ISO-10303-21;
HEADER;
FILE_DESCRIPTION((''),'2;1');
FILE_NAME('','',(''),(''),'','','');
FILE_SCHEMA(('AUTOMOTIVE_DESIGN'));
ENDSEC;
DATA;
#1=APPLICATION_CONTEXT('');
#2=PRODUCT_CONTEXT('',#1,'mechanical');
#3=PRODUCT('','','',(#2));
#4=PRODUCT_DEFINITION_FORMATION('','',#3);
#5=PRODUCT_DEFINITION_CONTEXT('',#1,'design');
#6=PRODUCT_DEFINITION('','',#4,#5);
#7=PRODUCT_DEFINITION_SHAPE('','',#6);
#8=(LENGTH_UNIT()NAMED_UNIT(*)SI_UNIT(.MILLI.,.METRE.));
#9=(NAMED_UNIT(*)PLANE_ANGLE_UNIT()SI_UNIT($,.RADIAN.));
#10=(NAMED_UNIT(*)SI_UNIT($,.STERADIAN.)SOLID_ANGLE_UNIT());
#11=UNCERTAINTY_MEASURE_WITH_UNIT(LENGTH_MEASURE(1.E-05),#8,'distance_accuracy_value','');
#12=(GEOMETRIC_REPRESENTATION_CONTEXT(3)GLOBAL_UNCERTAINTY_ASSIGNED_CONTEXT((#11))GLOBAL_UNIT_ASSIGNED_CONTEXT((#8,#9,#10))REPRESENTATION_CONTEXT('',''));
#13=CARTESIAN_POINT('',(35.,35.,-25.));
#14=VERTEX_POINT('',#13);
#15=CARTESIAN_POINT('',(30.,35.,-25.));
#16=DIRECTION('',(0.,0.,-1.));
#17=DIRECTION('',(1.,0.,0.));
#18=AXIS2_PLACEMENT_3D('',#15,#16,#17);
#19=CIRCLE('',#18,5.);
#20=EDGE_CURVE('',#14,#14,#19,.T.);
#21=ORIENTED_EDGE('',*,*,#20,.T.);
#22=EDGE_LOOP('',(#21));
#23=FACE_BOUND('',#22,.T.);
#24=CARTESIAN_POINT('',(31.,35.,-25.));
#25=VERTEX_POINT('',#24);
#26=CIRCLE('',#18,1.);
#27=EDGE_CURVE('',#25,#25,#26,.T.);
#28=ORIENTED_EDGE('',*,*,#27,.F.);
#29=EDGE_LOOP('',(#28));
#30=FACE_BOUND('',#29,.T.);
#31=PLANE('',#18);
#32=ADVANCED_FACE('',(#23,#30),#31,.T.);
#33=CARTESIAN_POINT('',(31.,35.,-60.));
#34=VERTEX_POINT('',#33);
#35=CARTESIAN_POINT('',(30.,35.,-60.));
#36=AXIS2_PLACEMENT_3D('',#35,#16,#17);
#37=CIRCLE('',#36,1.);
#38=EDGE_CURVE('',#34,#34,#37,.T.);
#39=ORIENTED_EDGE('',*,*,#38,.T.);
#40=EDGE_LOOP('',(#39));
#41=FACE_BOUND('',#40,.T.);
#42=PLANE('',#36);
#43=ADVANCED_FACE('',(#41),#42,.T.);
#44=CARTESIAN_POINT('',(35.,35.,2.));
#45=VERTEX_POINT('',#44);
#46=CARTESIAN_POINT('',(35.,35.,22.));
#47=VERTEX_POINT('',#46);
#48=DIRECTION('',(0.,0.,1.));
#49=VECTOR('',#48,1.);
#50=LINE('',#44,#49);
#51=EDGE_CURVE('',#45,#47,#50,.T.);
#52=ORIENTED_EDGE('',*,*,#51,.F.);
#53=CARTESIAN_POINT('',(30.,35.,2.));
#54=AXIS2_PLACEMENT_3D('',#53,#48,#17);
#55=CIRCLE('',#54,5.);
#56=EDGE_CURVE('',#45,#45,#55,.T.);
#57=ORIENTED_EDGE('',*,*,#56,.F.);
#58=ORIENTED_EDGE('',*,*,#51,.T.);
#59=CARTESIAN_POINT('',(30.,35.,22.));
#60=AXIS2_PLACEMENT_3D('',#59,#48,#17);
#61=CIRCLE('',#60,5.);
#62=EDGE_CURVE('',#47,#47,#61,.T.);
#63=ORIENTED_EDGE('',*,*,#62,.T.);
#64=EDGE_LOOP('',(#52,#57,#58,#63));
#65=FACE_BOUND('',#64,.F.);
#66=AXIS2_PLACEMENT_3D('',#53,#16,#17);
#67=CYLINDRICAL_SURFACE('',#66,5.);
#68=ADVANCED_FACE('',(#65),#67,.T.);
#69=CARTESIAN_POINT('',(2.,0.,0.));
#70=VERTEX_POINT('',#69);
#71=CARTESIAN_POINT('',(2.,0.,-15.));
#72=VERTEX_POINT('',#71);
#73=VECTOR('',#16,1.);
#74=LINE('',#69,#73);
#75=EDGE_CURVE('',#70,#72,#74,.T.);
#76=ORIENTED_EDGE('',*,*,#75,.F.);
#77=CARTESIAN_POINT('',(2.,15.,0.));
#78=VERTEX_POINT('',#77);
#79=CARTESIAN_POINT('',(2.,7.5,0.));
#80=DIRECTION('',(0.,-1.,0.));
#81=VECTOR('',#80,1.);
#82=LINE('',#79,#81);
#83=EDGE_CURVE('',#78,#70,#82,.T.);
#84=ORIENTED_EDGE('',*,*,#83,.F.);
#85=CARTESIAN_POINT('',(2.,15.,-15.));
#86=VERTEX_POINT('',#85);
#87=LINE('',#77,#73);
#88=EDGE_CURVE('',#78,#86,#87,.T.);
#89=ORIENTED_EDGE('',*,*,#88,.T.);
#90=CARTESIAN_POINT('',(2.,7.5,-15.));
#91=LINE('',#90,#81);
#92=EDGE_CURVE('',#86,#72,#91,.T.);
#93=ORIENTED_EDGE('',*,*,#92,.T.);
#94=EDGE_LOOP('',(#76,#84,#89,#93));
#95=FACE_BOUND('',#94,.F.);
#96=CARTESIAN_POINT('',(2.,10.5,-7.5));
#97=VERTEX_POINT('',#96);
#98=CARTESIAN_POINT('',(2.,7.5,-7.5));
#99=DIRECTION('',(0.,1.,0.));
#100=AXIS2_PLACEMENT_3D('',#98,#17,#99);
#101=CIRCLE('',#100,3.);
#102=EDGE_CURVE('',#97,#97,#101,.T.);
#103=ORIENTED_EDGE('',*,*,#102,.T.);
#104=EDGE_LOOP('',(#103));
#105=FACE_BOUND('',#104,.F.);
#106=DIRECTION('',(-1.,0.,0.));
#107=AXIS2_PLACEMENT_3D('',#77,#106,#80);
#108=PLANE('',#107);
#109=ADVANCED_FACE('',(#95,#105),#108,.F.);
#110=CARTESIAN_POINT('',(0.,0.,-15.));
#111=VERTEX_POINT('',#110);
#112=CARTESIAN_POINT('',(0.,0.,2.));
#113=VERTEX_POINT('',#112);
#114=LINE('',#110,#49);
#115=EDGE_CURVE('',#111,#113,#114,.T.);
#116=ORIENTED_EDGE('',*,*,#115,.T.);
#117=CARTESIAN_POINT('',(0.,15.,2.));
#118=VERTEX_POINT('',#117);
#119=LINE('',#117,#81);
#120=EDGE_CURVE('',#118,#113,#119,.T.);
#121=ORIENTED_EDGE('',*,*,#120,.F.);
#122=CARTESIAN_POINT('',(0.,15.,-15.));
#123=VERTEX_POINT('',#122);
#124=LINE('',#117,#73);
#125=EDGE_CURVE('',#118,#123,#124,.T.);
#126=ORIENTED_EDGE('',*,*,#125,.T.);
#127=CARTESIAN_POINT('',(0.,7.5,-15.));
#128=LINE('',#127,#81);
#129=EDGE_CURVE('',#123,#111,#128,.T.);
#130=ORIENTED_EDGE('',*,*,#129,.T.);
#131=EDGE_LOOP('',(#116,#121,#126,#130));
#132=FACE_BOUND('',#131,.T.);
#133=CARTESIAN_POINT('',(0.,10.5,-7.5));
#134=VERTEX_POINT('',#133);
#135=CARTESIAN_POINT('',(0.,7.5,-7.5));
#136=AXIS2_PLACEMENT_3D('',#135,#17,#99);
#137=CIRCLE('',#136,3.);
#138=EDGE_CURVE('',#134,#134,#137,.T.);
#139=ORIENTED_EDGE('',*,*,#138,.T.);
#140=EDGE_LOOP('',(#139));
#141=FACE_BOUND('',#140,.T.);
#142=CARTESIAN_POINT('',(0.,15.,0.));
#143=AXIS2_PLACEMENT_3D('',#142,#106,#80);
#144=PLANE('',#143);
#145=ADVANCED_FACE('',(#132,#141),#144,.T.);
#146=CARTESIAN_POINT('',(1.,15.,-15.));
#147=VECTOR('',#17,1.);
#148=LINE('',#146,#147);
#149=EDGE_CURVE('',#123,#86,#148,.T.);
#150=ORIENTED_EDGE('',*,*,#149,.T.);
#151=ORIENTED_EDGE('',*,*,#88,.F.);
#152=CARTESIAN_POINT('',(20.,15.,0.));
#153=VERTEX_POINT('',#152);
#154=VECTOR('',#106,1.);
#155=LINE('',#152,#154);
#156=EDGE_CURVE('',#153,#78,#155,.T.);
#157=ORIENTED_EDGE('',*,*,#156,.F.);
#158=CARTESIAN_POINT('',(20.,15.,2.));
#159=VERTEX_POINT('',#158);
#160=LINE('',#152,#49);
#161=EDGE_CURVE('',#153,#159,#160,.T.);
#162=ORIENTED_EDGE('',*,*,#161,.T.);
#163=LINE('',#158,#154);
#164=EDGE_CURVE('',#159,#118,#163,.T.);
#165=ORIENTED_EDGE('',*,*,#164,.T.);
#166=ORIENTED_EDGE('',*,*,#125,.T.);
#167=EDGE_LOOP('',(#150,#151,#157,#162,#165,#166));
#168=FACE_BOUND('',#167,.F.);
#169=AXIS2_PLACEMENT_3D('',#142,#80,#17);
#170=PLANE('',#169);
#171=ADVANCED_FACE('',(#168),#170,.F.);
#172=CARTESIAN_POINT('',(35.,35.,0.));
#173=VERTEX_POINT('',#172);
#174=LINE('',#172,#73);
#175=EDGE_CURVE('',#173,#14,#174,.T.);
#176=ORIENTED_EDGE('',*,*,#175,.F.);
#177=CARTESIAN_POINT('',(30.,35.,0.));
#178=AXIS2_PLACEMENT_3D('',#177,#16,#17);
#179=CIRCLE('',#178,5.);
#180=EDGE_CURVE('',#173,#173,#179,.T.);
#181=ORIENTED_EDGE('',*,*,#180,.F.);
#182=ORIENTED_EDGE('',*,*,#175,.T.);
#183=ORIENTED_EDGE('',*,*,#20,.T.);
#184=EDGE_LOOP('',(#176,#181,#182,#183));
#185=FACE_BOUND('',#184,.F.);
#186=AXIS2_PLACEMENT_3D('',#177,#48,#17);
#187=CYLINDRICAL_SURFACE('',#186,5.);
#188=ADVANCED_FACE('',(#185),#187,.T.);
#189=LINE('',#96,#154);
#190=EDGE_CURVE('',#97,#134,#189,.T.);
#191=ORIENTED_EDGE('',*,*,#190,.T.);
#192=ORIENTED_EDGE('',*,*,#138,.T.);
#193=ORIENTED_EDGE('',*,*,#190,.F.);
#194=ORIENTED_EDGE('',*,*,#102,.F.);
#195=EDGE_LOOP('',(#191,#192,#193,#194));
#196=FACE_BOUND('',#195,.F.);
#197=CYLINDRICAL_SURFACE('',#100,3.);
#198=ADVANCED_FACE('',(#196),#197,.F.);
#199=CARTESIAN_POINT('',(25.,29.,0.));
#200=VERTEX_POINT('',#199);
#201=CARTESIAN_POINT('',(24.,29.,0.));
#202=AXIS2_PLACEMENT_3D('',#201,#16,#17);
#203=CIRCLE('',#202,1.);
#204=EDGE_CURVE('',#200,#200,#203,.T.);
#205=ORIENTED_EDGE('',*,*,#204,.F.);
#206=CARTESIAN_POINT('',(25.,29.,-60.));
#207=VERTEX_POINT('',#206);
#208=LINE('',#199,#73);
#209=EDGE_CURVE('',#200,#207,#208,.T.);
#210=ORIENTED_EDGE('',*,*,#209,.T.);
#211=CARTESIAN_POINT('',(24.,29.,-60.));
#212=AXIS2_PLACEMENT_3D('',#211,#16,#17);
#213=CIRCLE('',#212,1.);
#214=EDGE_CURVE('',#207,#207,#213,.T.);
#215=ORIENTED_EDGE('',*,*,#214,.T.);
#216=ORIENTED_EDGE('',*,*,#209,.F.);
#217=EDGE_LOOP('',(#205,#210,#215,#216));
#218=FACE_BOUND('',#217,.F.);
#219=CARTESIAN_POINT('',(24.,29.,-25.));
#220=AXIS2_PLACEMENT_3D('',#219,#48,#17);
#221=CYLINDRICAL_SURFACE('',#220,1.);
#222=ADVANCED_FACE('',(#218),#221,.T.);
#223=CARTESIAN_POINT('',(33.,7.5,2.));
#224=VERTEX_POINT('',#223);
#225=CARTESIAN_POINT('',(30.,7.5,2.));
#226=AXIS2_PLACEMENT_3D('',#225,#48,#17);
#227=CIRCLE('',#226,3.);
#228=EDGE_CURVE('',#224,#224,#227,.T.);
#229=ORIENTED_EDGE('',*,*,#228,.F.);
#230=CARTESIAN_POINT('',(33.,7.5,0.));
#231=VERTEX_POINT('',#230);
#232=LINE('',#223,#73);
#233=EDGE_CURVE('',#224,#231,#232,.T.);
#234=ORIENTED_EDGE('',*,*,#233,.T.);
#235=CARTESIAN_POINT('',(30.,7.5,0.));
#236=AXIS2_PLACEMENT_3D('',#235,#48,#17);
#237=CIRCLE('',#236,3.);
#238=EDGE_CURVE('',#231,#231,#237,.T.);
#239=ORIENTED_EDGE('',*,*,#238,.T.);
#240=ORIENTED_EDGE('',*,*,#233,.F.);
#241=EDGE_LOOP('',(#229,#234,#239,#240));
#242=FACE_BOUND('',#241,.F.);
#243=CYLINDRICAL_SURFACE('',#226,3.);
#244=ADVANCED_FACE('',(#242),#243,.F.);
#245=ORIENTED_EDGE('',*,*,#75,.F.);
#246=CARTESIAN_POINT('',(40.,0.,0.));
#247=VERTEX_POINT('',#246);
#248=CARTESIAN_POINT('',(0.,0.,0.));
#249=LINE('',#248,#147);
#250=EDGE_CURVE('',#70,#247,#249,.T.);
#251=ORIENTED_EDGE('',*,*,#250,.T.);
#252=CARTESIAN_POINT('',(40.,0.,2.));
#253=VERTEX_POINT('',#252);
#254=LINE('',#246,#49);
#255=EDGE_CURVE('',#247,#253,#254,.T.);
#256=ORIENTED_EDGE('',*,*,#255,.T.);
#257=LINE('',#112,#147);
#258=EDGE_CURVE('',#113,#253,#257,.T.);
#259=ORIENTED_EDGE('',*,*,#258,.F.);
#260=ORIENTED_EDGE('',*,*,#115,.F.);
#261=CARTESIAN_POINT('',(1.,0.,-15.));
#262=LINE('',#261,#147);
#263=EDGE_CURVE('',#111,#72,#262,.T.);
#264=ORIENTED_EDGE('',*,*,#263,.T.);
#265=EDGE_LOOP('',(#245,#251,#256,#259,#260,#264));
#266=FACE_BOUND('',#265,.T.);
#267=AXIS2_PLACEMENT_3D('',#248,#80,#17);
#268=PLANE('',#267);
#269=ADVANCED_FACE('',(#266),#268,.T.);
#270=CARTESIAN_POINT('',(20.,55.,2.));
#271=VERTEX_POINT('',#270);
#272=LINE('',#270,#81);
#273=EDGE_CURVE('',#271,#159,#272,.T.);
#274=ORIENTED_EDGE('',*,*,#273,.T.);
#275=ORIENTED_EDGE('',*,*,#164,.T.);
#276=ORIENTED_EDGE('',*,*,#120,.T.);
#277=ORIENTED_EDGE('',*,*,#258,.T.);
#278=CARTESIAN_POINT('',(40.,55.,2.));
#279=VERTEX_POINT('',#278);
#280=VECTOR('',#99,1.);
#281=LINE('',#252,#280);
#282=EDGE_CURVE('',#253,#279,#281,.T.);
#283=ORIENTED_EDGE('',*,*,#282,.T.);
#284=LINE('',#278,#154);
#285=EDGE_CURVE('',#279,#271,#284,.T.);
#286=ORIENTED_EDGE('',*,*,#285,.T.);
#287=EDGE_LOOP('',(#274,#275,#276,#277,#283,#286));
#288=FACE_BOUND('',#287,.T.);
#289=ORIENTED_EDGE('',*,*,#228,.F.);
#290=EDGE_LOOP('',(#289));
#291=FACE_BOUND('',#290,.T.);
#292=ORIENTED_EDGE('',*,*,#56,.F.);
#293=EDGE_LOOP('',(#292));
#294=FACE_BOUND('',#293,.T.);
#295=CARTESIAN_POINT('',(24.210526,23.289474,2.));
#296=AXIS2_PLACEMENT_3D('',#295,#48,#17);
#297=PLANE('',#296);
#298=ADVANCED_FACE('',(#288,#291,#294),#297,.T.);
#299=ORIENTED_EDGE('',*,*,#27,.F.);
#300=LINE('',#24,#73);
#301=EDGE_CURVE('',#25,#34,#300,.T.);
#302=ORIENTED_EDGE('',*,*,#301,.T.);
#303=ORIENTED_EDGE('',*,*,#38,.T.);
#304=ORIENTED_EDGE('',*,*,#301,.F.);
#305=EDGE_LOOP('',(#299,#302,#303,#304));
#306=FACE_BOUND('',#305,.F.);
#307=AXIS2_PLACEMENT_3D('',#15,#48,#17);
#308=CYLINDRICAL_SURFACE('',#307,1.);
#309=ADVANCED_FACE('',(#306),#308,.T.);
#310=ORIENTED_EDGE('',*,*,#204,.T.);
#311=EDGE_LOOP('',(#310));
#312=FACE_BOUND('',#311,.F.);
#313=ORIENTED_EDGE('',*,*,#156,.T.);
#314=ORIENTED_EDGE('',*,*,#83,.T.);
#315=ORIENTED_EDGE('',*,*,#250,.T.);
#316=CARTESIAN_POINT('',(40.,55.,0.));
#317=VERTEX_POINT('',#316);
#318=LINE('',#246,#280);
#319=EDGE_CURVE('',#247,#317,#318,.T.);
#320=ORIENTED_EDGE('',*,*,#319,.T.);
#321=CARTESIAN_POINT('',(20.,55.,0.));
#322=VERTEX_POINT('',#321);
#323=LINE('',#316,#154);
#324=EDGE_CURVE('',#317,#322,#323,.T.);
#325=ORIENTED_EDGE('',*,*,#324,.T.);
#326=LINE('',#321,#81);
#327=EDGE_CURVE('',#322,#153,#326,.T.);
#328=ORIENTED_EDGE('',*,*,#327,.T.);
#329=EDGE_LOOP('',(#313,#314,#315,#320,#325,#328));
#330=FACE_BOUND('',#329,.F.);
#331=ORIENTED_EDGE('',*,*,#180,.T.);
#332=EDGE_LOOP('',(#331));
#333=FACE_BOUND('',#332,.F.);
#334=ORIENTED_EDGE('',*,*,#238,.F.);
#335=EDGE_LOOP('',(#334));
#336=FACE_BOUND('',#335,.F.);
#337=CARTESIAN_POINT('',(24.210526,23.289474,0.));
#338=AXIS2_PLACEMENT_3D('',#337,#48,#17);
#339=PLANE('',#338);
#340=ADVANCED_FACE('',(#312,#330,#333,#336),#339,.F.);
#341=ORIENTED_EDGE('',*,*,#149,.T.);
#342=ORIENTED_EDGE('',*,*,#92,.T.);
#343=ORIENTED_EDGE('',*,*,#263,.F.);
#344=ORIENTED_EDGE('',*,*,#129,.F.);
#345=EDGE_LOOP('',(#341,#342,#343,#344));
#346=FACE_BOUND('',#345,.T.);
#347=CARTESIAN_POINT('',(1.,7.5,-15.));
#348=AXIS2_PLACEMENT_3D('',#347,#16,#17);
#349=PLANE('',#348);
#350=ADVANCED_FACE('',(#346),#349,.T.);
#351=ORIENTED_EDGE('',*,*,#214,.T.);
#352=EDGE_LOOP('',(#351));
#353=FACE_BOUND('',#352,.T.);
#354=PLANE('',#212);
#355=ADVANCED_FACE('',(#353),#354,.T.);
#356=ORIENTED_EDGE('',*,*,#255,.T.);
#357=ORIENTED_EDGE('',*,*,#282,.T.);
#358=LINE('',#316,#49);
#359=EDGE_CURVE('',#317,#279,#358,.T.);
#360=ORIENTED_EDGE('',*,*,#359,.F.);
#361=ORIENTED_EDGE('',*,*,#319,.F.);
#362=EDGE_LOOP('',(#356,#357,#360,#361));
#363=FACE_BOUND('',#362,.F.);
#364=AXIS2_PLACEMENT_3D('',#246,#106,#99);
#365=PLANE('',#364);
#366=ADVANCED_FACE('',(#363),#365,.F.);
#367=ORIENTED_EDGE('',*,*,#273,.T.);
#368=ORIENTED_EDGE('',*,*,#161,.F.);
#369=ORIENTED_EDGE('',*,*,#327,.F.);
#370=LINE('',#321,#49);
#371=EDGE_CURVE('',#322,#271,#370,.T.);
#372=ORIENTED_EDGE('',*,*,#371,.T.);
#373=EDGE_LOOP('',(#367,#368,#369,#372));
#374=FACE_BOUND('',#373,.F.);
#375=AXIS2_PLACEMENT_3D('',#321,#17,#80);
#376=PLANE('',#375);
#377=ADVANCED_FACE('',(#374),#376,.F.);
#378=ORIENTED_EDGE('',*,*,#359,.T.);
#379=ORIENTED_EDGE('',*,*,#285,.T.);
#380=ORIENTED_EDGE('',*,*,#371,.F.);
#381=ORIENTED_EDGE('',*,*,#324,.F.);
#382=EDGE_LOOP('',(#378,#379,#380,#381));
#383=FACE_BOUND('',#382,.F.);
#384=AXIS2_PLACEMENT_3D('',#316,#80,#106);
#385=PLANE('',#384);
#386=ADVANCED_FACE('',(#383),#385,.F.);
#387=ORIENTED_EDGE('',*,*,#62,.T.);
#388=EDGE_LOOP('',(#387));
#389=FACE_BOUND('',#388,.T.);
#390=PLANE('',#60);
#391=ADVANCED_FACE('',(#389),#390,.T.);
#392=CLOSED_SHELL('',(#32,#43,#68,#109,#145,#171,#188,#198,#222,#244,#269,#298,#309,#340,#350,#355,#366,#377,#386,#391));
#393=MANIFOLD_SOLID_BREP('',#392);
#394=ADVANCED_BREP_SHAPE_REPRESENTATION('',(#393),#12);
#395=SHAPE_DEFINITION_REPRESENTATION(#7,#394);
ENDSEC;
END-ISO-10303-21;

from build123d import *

# Parameters (mm, degrees)
PAD_DEPTH       = 2
SKETCH001_R     = 5
PAD001_DEPTH    = 20
SKETCH002_W     = 2
SKETCH002_H     = 15
PAD002_DEPTH    = 15
SKETCH003_R     = 5
SKETCH003_R_2   = 1
PAD003_DEPTH    = 25
SKETCH004_R     = 1
PAD004_DEPTH    = 35
SKETCH005_R     = 3
POCKET_DEPTH    = 2
SKETCH006_R     = 3
POCKET001_DEPTH = 2


with BuildPart() as part:
    # Sketch → Pad (new body)
    with BuildSketch(Plane.XY):
        Polygon((0, 0), (40, 0), (40, 55), (20, 55), (20, 15), (0, 15), align=None)
    extrude(amount=PAD_DEPTH)

    # Sketch001 (on Face8 of Pad) → Pad001 (join)
    with BuildSketch(Plane.XY.offset(2)):
        with Locations((30, 35)):
            Circle(SKETCH001_R)
    extrude(amount=PAD001_DEPTH)

    # Sketch002 (on Face4 of Pad001) → Pad002 (join)
    with BuildSketch(Plane(origin=(0, 0, 0), x_dir=(1, 0, 0), z_dir=(0, 0, -1))):
        with Locations((1, -7.5)):
            Rectangle(SKETCH002_W, SKETCH002_H)
    extrude(amount=PAD002_DEPTH)

    # Sketch003 (on Face10 of Pad002) → Pad003 (join)
    with BuildSketch(Plane(origin=(0, 0, 0), x_dir=(1, 0, 0), z_dir=(0, 0, -1))):
        with Locations((30, -35)):
            Circle(SKETCH003_R)
        with Locations((24, -29)):
            Circle(SKETCH003_R_2)
    extrude(amount=PAD003_DEPTH)

    # Sketch004 (on Face19 of Pad003) → Pad004 (join)
    with BuildSketch(Plane(origin=(0, 0, -25), x_dir=(1, 0, 0), z_dir=(0, 0, -1))):
        with Locations((24, -29)):
            Circle(SKETCH004_R)
        with Locations((30, -35)):
            Circle(SKETCH004_R)
    extrude(amount=PAD004_DEPTH)

    # Sketch005 (on Face1 of Pad004) → Pocket (cut)
    with BuildSketch(Plane.XY.offset(2)):
        with Locations((30, 7.5)):
            Circle(SKETCH005_R)
    extrude(amount=-POCKET_DEPTH, mode=Mode.SUBTRACT)

    # Sketch006 (on Face16 of Pocket) → Pocket001 (cut)
    with BuildSketch(Plane.YZ.offset(2)):
        with Locations((7.5, -7.5)):
            Circle(SKETCH006_R)
    extrude(amount=-POCKET001_DEPTH, mode=Mode.SUBTRACT)


solid = part.part
